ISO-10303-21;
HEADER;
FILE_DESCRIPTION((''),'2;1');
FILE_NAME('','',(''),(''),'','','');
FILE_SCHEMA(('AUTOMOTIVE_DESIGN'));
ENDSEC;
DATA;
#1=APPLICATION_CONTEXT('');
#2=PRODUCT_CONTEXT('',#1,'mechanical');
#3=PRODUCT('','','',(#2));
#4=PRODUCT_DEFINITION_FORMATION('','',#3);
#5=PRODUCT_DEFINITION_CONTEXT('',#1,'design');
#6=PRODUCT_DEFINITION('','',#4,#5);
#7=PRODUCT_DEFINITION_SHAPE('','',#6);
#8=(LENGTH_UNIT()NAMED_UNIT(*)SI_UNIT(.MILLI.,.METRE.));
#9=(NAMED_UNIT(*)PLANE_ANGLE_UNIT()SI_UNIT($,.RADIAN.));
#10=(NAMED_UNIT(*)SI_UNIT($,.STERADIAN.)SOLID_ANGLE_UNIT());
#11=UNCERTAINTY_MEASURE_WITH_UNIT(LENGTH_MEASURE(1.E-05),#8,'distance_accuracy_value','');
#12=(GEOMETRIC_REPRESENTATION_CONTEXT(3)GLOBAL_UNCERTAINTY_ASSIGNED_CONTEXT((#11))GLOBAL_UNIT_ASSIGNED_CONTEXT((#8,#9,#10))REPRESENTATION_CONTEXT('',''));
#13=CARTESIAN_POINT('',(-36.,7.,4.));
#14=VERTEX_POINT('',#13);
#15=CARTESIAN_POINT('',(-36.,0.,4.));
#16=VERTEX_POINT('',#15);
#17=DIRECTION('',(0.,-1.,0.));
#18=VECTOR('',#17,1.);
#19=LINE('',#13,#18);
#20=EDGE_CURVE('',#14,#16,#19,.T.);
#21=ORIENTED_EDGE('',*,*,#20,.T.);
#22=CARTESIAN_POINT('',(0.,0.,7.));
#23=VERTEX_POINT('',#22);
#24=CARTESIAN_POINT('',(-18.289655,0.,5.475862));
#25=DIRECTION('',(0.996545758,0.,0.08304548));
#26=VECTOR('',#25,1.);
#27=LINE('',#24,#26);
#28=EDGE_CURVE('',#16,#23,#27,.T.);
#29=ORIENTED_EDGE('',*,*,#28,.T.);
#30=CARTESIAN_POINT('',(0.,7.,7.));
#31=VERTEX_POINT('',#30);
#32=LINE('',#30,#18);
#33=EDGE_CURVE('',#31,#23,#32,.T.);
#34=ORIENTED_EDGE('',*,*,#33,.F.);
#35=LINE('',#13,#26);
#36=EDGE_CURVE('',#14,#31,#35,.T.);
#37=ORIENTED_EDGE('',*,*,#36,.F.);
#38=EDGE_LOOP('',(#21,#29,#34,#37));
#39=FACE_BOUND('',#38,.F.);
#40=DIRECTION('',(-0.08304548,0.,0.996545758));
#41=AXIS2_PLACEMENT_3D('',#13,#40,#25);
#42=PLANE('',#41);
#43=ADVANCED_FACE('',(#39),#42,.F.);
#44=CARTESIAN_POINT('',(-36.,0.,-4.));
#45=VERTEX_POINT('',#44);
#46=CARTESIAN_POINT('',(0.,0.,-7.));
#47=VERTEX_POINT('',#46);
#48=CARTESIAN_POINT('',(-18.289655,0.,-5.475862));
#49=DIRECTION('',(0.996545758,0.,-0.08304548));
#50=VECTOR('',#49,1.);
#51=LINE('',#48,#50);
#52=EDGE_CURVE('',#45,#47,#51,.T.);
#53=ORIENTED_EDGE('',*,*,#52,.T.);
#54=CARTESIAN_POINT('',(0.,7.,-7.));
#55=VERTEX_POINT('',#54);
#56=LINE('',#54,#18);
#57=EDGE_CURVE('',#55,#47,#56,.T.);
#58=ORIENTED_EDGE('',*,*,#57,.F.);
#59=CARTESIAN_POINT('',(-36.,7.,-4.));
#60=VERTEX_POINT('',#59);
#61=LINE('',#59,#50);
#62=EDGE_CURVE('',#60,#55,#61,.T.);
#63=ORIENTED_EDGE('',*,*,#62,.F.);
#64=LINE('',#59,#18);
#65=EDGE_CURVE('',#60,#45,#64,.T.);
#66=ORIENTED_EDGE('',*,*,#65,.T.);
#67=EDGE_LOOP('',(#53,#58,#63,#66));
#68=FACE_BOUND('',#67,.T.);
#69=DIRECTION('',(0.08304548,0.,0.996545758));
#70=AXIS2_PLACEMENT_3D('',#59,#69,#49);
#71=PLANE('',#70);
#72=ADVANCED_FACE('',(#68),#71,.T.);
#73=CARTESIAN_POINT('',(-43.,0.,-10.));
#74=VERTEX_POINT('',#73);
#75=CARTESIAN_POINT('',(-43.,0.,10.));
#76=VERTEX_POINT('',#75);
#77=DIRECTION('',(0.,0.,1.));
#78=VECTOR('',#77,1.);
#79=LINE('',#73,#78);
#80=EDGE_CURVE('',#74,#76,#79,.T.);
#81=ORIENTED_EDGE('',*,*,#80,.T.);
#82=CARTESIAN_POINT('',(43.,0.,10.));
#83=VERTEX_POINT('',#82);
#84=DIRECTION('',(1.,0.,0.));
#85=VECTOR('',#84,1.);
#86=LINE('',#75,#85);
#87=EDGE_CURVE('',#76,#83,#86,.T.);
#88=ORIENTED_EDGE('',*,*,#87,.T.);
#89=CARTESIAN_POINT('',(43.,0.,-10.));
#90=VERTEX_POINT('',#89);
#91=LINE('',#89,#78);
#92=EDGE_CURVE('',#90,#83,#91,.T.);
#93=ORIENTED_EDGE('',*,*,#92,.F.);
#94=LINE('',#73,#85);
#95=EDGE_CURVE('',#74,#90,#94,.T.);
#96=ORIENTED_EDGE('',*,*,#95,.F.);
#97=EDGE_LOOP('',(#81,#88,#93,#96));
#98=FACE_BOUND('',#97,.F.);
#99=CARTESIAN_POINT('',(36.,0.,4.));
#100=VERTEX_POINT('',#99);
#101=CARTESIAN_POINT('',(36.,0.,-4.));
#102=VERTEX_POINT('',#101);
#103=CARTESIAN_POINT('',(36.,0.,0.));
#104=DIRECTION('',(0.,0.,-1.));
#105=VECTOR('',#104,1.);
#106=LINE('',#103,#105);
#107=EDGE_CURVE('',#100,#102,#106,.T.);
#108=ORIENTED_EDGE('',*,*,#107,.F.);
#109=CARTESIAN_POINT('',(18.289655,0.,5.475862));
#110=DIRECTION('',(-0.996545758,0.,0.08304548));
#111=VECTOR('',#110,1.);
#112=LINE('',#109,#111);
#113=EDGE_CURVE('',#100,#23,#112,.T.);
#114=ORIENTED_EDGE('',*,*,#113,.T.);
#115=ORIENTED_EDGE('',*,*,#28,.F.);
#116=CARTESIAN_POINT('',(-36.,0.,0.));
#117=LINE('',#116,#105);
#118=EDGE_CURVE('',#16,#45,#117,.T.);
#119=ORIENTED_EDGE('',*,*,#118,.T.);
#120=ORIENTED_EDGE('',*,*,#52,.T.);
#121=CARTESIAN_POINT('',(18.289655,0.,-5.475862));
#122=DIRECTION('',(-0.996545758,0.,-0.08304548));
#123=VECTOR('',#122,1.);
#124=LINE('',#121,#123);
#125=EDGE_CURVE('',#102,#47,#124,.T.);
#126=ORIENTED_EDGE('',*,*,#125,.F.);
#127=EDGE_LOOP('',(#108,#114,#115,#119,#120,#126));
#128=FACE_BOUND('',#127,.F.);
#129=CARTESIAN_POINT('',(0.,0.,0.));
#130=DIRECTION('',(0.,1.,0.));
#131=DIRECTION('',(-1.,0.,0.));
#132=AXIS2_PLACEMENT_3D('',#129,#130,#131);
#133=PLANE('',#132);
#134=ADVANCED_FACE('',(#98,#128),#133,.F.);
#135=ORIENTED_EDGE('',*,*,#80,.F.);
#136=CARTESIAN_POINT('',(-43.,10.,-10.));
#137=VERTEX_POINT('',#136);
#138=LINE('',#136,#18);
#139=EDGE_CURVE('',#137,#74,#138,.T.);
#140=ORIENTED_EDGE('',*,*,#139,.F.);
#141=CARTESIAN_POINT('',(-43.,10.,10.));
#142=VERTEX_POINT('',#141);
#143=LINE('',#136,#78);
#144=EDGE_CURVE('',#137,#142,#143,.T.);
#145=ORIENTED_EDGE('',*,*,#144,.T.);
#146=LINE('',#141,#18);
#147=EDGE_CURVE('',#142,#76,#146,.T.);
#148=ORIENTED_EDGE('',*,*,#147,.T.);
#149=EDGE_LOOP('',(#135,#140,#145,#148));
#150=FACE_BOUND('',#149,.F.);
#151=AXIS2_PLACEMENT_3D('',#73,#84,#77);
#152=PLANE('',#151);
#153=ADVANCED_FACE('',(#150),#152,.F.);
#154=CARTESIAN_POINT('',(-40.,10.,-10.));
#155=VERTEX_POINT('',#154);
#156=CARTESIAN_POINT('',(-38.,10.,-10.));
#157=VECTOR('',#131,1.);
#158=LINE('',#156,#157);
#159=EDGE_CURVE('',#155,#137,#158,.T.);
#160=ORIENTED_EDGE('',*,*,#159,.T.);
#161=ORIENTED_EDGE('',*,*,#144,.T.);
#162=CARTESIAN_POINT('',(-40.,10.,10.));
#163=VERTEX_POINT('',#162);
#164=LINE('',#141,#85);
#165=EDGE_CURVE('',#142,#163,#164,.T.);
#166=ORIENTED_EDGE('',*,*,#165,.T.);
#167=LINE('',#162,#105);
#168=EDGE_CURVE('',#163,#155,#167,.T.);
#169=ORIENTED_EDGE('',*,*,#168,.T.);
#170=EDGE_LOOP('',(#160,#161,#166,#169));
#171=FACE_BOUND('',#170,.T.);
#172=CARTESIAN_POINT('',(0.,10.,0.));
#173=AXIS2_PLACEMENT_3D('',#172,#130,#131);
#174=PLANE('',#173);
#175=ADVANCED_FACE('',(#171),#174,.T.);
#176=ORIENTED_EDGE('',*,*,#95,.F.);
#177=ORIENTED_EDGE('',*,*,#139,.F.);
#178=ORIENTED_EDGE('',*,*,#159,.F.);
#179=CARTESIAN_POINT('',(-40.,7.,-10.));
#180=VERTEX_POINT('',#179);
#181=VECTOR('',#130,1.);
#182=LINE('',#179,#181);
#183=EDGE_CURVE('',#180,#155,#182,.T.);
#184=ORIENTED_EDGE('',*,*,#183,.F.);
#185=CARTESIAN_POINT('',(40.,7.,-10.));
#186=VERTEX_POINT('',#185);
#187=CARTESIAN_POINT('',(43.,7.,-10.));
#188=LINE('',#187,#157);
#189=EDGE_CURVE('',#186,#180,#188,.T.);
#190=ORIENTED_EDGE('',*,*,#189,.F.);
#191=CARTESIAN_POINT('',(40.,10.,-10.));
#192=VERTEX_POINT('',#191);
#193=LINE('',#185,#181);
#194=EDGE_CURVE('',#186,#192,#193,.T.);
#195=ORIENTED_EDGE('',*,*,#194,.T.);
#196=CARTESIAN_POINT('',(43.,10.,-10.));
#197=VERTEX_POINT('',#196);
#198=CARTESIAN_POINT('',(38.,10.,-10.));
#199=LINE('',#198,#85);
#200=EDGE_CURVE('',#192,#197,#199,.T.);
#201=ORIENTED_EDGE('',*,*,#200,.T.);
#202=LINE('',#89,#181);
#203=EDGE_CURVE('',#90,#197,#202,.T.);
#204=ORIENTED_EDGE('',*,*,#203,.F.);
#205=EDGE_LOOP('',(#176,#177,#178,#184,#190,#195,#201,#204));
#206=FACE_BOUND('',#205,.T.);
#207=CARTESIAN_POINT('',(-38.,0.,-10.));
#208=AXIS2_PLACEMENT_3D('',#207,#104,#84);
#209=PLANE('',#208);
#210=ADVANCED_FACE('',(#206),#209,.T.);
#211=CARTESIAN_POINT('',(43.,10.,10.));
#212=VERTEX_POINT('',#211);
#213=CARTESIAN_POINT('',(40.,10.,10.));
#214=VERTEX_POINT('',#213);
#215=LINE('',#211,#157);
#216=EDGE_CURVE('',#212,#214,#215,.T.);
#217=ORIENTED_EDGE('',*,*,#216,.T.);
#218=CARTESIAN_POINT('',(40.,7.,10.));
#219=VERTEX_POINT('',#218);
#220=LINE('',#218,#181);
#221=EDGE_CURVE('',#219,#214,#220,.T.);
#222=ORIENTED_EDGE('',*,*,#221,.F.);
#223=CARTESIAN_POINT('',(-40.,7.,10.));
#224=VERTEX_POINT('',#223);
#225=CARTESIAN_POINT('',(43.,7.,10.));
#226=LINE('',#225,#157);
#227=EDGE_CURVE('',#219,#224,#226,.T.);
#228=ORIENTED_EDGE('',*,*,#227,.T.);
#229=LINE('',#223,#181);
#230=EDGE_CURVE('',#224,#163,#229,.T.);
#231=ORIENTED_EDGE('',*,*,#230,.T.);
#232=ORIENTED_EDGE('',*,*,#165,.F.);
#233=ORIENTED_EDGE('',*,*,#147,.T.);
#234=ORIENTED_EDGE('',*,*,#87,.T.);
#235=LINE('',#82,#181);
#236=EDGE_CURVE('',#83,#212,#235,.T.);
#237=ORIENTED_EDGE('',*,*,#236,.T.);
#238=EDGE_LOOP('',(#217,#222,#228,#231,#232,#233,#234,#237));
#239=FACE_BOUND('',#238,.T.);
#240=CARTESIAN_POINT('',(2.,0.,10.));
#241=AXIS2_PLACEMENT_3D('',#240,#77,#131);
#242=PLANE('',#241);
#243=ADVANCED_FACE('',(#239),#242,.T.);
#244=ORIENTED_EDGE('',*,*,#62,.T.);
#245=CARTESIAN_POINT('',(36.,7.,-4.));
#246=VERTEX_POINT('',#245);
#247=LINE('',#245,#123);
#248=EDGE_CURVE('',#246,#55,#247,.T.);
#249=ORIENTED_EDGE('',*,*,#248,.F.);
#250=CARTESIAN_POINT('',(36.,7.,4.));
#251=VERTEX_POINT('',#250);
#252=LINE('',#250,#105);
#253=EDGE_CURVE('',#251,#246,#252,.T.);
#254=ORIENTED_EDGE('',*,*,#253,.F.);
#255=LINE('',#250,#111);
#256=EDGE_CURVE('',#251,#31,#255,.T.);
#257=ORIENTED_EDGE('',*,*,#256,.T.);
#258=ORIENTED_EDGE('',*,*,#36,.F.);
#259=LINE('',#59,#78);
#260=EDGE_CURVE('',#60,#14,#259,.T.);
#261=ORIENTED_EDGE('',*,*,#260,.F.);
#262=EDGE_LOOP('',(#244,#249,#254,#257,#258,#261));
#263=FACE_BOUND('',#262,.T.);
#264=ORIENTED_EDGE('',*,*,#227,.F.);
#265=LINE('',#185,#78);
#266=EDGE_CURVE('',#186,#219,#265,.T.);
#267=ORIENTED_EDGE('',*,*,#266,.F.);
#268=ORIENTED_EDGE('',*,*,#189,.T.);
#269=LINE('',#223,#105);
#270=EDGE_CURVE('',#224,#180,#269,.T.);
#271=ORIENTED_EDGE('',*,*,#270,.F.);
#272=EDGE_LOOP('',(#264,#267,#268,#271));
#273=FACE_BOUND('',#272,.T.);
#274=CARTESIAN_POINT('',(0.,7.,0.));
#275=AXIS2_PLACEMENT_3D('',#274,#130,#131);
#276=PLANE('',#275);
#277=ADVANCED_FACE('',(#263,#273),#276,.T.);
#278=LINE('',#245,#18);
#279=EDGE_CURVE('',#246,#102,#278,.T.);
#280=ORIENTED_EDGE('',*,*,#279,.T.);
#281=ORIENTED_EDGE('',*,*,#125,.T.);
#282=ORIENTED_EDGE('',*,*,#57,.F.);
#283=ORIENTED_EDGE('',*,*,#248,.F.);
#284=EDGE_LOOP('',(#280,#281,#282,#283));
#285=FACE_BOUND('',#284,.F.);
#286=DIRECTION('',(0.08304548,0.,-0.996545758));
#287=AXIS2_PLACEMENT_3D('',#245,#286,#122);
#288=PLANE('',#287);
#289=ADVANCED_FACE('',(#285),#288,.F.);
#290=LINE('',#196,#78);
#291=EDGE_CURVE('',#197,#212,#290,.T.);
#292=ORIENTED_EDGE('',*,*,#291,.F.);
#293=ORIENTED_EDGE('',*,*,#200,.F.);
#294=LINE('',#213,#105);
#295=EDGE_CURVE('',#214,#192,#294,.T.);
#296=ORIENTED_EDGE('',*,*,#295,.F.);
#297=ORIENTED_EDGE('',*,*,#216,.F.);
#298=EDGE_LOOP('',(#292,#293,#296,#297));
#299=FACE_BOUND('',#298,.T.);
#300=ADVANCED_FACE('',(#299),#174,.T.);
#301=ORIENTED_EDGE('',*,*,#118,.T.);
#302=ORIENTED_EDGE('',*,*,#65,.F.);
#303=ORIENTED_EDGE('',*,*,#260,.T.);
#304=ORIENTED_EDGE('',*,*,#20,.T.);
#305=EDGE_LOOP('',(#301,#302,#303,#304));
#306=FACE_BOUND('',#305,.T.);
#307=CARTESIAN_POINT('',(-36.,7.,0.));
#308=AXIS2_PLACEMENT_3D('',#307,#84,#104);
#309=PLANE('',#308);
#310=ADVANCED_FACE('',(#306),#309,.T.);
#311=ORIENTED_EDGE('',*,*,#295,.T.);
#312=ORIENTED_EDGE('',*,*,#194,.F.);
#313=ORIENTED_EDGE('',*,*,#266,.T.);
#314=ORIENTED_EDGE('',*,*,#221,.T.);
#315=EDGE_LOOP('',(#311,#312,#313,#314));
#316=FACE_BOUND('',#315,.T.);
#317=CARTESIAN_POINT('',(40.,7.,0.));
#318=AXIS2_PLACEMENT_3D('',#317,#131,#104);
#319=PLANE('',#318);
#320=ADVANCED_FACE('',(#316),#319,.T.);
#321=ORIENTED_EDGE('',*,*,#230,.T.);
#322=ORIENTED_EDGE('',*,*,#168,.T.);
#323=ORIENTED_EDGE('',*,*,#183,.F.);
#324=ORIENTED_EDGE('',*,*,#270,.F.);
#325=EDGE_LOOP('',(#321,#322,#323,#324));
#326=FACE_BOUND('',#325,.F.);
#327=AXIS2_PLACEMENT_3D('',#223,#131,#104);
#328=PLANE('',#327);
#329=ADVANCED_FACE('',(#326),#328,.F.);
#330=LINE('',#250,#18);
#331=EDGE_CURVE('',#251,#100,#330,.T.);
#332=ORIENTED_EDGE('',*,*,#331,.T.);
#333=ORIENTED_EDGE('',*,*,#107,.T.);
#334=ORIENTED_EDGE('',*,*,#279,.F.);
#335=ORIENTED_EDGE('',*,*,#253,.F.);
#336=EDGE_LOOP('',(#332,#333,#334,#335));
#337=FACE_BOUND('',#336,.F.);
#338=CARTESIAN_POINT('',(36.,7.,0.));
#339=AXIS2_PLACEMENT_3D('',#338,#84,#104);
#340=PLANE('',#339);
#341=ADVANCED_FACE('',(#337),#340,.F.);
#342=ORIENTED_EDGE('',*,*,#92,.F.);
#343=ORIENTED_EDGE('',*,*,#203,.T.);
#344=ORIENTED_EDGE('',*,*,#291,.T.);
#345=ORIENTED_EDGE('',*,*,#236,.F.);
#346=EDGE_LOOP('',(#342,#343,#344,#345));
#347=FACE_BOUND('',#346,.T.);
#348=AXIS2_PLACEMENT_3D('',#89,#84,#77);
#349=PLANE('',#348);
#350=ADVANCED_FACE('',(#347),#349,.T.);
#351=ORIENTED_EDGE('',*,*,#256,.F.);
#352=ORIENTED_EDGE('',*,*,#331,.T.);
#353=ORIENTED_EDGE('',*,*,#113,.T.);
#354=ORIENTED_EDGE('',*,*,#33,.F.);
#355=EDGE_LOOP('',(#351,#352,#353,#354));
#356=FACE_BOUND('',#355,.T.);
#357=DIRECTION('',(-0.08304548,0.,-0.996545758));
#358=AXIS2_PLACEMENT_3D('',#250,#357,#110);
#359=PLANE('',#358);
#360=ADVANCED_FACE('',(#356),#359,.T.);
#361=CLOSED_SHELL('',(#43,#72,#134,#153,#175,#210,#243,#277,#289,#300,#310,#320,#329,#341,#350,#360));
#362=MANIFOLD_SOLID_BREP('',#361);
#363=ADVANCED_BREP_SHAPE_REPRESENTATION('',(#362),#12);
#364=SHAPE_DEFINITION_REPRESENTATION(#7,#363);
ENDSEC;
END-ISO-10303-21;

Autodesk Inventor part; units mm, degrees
ref_plane "YZ Plane" through (0, 0, 0) normal (1, 0, 0) x (0, 1, 0)
ref_plane "XZ Plane" through (0, 0, 0) normal (0, 1, 0) x (-1, 0, 0)
ref_plane "XY Plane" through (0, 0, 0) normal (0, 0, 1) x (1, 0, 0)
sketch "Sketch1" plane through (0, 0, 0) normal (0, 1, 0) x (-1, 0, 0)
  line L0 (0, 0) -> (0, 38)
  line L1 (0, 38) -> (0, 43)
  line L2 (0, 38) -> (2, 38)
  line L3 (2, 38) -> (-2, 38)
  line L4 (-2, 38) -> (0, 43)
  line L5 (2, 38) -> (0, 43)
  line L6 (-2, 38) -> (-2, 2)
  line L7 (2, 2) -> (2, 38)
  line L8 (-2, 2) -> (-2, 3)
  line L9 (2, 2) -> (2, 0)
  line L10 (-2, 2) -> (-2, 0)
  line L11 (-2, 0) -> (2, 0)
  line L12 (0, 0) -> (-2, 1)
  line L13 (0, 38) -> (0, 42)
  line L14 (0, 42) -> (-0.4, 42)
  line L15 (0.4, 42) -> (0, 42)
  line L16 (0, 0) -> (0, 10)
  line L17 (0, 10) -> (0, 0)
  line L18 (0, 0) -> (-40, 0)
  line L19 (-40, 0) -> (-40, -10)
  line L20 (-40, 10) -> (40, 10)
  line L21 (40, 10) -> (40, -10)
  line L22 (40, -10) -> (-40, -10)
  line L23 (-40, -10) -> (-40, 10)
  line L24 (40, -10) -> (38, -10)
  line L25 (38, -10) -> (43, -10)
  line L26 (43, -10) -> (43, 10)
  line L27 (43, 10) -> (38, 10)
  line L28 (38, 10) -> (38, -10)
  line L29 (-40, -10) -> (-38, -10)
  line L30 (-38, -10) -> (-43, -10)
  line L31 (-43, -10) -> (-43, 10)
  line L32 (-43, 10) -> (-38, 10)
  line L33 (-38, 10) -> (-38, -10)
  point P0 (0, 2)
  dimension "d0" = 38
  dimension "d1" = 5
  dimension "d2" = 2
  dimension "d3" = 4
  dimension "d6" = 1
  dimension "d30" = 4
  dimension "d31" = 10
  dimension "d32" = 40
  dimension "d33" = 10
  dimension "d34" = 80
  dimension "d37" = 2
  dimension "d38" = 5
  dimension "d39" = 2
  dimension "d40" = 5
extrude "Extrusion1" add sketch "Sketch1" along normal blind 7 contours L12 L10 L6 L20 L0 | L11 L9 L7 L20 L28 L22 L33 L18 | L0 L20 L7 L9 L11 | L11 L10 L12 | L18 L33 L20 L6 L10 | L33 L22 L19 L18 | L18 L23 L20 L33 | L20 L21 L22 L28 | L19 L30 L31 L32 L23 | L27 L26 L25 L21
sketch "Sketch4" plane through (0, 7, 0) normal (0, 1, 0) x (1, 0, 0)
  circle A0 centre (0, 0) radius 1.5
  line L0 (0, 0) -> (-36, 0)
  line L1 (-36, 0) -> (-36, -4)
  line L2 (0, 0) -> (0, -7)
  line L3 (-36, -4) -> (0, -7)
  line L4 (-36, 0) -> (-36, 4)
  line L5 (0, 0) -> (0, 7)
  line L6 (-36, 4) -> (0, 7)
  line L7 (0, 0) -> (36, 0)
  line L8 (36, 0) -> (36, -4)
  line L9 (36, -4) -> (0, -7)
  line L10 (36, 4) -> (0, 7)
  line L11 (36, 0) -> (36, 4)
  dimension "d20" = 3
  dimension "d26" = 36
  dimension "d28" = 4
  dimension "d29" = 7
extrude "Extrusion5" cut sketch "Sketch4" against normal through all
extrude "Extrusion6" add sketch "Sketch1" along normal blind 3 from surface at 7 contours L19 L30 L31 L32 L23 | L27 L26 L25 L21
properties part number "testing deadbolt arm adapter"
